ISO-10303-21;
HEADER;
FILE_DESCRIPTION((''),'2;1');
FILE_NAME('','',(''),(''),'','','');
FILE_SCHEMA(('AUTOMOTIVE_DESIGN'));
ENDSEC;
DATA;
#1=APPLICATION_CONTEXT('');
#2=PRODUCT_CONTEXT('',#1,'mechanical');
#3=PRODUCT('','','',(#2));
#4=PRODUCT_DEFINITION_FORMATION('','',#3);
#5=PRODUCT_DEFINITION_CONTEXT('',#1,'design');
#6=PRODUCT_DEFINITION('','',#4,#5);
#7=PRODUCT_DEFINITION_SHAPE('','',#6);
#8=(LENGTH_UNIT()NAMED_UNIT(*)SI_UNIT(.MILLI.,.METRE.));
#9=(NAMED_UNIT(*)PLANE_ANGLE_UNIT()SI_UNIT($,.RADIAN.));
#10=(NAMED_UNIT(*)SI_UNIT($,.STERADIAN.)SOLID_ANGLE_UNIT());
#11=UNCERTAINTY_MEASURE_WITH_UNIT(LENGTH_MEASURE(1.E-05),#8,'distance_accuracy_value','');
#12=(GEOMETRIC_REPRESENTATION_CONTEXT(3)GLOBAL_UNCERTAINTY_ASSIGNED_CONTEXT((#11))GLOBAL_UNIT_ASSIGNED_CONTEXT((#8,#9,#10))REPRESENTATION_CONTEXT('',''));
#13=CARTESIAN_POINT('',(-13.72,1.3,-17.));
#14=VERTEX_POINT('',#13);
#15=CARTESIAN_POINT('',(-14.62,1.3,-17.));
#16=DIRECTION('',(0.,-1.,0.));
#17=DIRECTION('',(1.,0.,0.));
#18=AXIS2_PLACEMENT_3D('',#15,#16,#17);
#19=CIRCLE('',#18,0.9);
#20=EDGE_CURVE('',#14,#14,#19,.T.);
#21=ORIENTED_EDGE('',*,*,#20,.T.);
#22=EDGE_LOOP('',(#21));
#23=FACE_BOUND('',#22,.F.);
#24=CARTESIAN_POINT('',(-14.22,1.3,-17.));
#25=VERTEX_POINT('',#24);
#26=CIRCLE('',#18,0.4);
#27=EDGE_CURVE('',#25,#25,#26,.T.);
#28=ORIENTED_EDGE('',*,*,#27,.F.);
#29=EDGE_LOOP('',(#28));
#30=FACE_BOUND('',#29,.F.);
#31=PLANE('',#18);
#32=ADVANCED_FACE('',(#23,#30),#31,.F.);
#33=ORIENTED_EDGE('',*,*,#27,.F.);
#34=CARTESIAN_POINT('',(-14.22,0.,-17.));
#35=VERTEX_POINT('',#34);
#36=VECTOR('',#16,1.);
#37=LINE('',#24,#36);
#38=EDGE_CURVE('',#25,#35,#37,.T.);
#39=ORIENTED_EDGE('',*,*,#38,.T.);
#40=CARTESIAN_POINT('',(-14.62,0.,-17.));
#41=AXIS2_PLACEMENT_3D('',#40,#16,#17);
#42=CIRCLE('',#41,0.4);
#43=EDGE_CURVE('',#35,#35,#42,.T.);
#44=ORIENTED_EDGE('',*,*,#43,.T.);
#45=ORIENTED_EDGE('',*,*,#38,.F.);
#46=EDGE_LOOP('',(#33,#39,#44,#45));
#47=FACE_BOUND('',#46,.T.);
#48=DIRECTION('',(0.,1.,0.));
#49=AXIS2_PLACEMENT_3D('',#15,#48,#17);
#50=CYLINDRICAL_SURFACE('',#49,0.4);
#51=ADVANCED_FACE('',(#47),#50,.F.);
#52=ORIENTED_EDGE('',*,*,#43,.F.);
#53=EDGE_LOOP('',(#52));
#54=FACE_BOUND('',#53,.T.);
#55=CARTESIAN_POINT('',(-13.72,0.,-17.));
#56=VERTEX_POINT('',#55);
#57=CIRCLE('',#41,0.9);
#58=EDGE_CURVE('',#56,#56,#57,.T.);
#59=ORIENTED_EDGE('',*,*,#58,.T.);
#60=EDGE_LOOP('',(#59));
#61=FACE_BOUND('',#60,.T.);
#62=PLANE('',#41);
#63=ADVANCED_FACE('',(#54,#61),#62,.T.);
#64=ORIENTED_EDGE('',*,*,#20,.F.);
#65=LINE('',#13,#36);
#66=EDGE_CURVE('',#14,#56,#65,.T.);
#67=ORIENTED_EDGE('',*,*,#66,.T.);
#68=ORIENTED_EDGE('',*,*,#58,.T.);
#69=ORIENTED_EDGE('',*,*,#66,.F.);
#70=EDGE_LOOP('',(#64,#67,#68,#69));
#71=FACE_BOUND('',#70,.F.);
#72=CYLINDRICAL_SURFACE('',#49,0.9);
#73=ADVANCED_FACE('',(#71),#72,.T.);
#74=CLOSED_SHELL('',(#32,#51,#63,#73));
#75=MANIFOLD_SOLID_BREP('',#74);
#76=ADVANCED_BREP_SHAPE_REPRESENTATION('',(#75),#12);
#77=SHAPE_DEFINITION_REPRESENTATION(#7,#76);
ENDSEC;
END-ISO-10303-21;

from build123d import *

# Parameters (mm, degrees)
CYLINDER176_R          = 0.4
CYLINDER176_DEPTH      = 1.3
CYLINDER177_R          = 0.9
CYLINDER177_DEPTH      = 1.3
CUT118_PLACEMENT_ANGLE = 90


with BuildPart() as cylinder176:
    # Cylinder176 → Cylinder176 (new body)
    with BuildSketch(Plane.XY):
        Circle(CYLINDER176_R)
    extrude(amount=CYLINDER176_DEPTH)


with BuildPart() as contact003:
    # Cylinder177 → Cylinder177 (new body)
    with BuildSketch(Plane.XY):
        Circle(CYLINDER177_R)
    extrude(amount=CYLINDER177_DEPTH)

    # Cut118: cut Cylinder176
    add(cylinder176.part, mode=Mode.SUBTRACT)


with BuildPart() as contact003_1:
    # Cut118 placement: moved
    add(contact003.part.moved(Location((-14.62, 1.3, -17))).rotate(Axis((-14.62, 1.3, -17), (1, 0, 0)), CUT118_PLACEMENT_ANGLE))


solid = contact003_1.part
